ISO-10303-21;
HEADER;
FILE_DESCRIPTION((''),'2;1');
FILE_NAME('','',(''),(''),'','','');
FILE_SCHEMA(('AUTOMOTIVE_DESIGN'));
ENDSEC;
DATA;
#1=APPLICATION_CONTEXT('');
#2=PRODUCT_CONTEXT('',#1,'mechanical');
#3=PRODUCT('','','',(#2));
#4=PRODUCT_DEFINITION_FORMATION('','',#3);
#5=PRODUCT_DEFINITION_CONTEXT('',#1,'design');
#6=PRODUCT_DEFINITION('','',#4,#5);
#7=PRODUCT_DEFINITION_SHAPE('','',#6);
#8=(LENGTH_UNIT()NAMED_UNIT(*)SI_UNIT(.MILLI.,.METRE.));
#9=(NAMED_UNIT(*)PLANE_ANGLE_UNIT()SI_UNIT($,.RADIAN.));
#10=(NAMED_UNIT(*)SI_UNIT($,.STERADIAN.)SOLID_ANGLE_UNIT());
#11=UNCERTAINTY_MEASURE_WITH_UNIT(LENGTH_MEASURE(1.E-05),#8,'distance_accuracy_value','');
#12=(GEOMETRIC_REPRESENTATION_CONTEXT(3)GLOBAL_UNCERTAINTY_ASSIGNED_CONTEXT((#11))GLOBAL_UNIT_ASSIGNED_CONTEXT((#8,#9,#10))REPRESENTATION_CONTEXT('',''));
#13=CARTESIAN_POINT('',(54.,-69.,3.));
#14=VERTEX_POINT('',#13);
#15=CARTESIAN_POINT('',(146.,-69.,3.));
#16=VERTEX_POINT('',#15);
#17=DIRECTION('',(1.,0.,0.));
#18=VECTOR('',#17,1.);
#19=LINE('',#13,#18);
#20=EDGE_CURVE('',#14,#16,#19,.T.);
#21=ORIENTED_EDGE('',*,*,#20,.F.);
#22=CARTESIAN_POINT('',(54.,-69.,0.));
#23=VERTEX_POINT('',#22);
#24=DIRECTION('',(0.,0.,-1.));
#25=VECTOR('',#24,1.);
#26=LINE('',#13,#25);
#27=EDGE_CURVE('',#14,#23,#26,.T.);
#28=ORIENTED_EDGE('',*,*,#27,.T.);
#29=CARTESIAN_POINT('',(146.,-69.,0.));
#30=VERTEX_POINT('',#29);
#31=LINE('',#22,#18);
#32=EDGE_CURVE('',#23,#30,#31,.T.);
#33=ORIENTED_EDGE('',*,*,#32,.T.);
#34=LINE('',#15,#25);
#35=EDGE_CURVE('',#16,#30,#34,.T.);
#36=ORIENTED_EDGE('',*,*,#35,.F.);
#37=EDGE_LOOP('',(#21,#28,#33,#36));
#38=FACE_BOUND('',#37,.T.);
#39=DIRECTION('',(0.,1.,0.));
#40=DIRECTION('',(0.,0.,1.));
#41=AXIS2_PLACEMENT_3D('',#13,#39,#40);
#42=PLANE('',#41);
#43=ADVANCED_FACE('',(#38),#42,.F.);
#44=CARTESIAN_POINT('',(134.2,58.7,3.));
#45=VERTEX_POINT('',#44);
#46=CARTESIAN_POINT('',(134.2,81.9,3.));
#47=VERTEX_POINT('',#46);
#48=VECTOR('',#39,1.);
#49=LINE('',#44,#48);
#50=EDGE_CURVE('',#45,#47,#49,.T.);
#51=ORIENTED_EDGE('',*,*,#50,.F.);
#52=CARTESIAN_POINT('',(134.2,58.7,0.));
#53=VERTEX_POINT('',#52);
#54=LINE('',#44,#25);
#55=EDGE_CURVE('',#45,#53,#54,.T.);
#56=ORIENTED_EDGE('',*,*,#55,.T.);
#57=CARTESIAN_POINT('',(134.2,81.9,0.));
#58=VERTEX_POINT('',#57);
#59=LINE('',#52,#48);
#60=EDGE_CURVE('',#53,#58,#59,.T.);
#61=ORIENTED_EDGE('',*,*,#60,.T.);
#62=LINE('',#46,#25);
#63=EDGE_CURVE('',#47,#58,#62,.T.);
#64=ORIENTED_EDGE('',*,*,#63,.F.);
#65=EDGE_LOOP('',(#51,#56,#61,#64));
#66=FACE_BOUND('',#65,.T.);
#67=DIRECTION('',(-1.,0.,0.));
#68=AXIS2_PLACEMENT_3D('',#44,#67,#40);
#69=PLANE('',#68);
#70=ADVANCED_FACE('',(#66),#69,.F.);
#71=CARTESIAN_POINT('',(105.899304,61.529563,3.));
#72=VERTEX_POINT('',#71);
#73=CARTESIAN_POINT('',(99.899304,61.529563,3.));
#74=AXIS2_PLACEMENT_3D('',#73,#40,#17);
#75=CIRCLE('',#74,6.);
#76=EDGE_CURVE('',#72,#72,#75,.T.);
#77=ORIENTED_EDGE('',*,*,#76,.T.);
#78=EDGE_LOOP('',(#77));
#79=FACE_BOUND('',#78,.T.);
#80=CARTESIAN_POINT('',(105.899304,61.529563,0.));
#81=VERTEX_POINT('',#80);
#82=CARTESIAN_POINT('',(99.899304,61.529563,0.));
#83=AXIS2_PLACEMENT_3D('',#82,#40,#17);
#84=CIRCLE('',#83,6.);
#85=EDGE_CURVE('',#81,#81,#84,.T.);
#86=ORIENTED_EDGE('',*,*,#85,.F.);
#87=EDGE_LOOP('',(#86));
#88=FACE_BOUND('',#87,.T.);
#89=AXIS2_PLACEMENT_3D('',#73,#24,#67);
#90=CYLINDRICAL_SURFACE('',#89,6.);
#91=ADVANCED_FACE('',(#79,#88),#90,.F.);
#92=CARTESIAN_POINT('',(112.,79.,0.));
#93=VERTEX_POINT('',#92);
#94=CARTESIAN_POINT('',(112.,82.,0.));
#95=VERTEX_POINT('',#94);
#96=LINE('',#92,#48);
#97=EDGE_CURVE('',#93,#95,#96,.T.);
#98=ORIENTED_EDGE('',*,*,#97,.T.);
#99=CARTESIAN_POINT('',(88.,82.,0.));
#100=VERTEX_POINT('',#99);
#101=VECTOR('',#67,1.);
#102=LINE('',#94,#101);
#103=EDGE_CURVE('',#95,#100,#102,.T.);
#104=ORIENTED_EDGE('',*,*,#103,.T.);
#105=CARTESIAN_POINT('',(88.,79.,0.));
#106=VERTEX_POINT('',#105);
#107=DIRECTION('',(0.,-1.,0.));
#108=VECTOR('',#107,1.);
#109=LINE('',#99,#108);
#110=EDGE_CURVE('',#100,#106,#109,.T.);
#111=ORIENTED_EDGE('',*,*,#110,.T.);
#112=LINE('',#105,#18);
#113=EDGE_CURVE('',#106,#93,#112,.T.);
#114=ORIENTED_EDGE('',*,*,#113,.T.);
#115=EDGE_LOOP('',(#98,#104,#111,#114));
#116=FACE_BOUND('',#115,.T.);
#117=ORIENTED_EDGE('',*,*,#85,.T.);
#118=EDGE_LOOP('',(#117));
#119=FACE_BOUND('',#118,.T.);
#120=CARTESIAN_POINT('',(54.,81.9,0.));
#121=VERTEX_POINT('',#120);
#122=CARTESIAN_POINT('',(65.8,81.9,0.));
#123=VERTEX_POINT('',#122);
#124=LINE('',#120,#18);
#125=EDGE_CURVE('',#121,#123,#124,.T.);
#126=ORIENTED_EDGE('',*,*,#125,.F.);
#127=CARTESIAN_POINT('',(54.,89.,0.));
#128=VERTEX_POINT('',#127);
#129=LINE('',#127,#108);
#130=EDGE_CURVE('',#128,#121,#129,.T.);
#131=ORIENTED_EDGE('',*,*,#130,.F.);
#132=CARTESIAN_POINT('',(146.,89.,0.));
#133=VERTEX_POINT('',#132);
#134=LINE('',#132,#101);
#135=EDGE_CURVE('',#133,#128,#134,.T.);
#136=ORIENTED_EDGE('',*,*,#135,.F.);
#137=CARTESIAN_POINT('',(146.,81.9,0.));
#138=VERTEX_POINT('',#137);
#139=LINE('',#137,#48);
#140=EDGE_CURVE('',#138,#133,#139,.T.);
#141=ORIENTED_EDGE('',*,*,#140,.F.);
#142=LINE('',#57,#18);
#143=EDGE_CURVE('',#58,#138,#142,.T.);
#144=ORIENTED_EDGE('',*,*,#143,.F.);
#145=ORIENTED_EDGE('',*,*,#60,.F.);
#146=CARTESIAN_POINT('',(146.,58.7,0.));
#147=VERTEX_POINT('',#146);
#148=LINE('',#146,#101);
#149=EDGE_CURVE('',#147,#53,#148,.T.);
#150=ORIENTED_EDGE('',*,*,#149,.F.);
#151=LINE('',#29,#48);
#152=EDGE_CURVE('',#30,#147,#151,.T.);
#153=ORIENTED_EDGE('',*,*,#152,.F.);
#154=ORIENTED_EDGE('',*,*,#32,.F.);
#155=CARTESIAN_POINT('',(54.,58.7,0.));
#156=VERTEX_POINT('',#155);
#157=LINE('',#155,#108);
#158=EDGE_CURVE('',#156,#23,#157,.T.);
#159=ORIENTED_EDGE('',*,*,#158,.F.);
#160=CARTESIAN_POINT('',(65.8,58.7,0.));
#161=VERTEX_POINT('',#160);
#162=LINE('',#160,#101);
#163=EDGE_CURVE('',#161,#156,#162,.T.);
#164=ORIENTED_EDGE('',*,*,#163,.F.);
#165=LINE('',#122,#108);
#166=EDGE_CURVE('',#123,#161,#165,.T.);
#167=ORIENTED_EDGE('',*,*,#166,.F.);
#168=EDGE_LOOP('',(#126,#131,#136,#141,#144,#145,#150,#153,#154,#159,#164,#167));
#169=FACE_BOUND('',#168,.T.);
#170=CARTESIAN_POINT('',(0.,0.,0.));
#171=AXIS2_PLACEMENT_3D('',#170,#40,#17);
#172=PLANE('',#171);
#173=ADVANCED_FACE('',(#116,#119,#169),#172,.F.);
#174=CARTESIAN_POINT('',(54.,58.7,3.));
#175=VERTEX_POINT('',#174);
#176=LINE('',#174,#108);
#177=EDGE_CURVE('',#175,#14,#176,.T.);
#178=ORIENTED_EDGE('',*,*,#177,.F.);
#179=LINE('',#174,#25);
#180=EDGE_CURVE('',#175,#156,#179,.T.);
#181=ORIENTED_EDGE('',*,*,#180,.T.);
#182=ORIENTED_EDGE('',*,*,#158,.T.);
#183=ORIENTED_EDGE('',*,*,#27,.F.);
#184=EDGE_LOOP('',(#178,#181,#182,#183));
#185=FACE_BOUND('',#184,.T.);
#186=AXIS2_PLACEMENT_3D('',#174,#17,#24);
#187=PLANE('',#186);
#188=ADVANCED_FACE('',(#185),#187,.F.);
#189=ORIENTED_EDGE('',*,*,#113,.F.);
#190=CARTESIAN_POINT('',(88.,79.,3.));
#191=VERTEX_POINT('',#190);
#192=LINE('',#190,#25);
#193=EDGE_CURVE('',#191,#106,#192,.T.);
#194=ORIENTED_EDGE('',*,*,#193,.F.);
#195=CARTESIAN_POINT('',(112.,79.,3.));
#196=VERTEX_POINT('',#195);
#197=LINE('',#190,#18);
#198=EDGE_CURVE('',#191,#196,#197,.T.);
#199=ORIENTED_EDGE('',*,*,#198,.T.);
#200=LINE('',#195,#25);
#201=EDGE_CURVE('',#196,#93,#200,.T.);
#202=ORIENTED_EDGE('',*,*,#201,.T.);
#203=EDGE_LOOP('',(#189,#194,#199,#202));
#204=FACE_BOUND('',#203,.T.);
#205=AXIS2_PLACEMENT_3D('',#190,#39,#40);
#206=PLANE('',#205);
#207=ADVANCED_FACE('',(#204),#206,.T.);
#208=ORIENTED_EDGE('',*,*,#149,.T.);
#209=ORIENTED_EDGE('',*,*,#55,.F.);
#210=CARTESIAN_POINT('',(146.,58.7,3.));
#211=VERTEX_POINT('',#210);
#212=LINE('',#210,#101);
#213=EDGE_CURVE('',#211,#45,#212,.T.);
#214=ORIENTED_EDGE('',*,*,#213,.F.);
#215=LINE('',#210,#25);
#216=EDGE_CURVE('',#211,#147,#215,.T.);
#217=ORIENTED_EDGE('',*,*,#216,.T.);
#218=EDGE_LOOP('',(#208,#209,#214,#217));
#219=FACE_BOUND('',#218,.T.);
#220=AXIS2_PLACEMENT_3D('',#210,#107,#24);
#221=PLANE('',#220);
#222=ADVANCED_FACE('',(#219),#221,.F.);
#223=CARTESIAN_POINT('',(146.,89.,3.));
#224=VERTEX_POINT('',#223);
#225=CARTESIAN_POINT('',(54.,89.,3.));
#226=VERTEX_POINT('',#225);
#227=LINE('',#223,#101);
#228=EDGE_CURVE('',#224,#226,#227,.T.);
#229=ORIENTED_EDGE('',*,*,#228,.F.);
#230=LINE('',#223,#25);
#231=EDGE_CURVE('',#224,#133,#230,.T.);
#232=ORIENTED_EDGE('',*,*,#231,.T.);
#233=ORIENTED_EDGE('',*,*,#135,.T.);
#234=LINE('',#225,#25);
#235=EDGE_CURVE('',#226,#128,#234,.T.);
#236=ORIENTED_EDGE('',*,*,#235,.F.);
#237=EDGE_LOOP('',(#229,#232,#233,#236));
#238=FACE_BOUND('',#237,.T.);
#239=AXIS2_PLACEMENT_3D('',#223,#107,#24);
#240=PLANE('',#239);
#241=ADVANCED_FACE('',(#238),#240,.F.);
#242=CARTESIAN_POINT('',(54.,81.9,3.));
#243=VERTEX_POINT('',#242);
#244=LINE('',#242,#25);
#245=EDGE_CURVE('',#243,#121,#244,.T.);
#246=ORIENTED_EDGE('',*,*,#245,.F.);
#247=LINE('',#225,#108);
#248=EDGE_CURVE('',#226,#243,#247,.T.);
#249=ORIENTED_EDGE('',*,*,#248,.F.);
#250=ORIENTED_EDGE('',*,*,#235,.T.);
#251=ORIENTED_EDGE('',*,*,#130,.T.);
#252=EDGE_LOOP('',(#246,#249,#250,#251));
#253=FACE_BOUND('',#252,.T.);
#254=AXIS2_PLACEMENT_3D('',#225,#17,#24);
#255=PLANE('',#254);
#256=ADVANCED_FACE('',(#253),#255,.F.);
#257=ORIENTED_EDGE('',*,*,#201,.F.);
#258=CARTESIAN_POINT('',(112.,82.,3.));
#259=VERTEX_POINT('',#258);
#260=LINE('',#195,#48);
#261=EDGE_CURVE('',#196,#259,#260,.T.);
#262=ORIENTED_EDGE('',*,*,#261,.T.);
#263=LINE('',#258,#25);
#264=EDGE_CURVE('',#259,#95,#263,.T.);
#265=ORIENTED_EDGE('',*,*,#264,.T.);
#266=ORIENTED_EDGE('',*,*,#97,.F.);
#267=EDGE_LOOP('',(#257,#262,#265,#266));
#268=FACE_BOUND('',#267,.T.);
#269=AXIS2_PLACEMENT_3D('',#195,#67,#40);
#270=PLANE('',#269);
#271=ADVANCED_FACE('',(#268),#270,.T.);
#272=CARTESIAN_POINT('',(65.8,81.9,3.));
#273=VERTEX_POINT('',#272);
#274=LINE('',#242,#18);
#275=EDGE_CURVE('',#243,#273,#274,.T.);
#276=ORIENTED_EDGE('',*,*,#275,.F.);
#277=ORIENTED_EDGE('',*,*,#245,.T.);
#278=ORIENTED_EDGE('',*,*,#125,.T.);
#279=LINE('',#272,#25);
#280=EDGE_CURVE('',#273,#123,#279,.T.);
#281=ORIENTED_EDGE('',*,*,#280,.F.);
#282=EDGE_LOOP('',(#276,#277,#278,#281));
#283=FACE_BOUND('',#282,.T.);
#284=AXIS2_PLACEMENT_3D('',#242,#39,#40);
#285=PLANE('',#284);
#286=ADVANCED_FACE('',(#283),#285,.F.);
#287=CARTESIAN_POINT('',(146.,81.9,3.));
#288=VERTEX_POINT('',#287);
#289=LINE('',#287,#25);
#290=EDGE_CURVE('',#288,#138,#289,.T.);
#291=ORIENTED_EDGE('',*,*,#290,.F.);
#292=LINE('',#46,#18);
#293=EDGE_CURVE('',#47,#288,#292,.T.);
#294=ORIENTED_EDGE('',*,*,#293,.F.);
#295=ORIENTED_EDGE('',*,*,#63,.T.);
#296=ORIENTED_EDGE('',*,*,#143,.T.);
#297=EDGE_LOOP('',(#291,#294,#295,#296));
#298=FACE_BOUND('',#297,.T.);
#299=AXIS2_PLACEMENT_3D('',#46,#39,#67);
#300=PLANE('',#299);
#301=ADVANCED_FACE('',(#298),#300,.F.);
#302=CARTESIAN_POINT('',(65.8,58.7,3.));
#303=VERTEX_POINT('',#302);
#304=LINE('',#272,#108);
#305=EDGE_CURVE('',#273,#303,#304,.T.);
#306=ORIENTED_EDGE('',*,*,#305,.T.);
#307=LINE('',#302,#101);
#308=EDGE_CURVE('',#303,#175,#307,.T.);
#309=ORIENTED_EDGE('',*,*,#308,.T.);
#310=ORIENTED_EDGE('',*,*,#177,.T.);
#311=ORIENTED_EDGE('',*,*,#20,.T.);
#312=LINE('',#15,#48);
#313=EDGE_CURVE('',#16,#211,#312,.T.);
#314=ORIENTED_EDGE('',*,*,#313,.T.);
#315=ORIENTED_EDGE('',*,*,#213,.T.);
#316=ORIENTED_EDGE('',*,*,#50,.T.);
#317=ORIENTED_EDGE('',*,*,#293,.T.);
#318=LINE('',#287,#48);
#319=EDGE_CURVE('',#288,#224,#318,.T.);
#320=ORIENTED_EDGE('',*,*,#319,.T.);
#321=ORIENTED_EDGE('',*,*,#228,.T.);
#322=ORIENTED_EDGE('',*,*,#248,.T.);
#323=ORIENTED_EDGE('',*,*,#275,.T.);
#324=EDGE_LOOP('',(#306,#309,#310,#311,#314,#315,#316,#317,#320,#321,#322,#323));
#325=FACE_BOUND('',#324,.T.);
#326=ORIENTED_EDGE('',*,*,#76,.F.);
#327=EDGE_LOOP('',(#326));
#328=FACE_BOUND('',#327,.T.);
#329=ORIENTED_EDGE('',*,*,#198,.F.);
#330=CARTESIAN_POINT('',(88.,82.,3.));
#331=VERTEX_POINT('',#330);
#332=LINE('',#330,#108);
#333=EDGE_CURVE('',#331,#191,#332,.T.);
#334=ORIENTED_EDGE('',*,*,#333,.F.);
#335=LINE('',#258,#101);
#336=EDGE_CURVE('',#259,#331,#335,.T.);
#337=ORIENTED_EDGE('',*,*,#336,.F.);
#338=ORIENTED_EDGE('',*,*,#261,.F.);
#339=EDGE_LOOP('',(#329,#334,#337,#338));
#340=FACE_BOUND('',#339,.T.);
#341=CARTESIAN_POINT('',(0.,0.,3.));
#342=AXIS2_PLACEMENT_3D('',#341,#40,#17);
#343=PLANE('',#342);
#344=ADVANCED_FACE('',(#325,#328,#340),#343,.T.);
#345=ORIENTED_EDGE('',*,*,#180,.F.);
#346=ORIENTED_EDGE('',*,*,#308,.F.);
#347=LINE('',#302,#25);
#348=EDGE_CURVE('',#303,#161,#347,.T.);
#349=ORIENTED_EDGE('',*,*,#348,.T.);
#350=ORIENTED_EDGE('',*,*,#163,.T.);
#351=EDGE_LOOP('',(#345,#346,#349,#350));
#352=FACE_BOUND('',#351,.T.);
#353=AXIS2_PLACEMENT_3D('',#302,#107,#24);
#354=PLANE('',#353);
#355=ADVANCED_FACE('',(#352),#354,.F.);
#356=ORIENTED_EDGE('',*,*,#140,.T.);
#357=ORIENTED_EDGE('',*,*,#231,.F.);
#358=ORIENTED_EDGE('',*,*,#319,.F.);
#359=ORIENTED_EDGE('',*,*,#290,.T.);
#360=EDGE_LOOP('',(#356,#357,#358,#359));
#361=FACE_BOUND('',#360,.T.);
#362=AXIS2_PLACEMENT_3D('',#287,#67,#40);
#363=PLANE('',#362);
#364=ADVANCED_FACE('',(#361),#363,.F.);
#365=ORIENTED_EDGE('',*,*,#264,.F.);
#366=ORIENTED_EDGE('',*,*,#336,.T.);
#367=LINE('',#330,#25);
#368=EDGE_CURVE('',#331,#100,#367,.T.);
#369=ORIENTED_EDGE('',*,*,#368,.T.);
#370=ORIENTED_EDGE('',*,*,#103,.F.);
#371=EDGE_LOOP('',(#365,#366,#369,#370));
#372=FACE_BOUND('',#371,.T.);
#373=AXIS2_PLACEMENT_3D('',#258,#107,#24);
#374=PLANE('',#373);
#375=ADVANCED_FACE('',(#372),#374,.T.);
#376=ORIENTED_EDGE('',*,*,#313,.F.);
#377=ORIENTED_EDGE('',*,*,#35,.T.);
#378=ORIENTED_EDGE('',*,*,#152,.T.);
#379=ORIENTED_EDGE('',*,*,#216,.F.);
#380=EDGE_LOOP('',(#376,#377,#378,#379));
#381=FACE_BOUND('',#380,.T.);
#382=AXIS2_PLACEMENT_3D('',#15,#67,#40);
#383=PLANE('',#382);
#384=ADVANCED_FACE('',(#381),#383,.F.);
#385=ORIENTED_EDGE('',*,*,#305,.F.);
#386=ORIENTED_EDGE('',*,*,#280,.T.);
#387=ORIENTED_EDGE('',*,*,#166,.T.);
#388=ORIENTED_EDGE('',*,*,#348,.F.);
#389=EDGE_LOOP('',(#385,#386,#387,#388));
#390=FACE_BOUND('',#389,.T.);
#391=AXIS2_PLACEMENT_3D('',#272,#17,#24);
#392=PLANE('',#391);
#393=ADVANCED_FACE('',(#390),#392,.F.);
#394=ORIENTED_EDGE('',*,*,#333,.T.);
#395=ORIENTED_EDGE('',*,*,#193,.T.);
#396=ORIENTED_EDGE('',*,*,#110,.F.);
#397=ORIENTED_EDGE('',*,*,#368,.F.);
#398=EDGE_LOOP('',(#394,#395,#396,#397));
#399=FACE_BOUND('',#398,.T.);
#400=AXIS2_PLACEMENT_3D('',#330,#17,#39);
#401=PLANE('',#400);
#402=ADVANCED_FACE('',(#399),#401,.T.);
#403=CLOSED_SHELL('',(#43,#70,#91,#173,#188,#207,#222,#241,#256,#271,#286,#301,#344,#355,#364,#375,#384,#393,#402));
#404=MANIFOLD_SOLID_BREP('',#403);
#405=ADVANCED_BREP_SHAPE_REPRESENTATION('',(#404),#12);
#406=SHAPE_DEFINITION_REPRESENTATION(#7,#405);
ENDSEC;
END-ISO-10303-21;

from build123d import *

# Parameters (mm, degrees)
MODEL_R                 = 6
MODEL_W                 = 24
MODEL_H                 = 3
SALIENTE_EXTRUIR1_DEPTH = 3


with BuildPart() as part:
    # Model → Saliente-Extruir1 (new body)
    with BuildSketch(Plane.XY):
        Polygon((54, 89), (54, 81.9), (65.8, 81.9), (65.8, 58.7), (54, 58.7), (54, -69), (146, -69), (146, 58.7), (134.2, 58.7), (134.2, 81.9), (146, 81.9), (146, 89), align=None)
        with Locations((99.899304233, 61.529562992)):
            Circle(MODEL_R, mode=Mode.SUBTRACT)
        with Locations((100, 80.5)):
            Rectangle(MODEL_W, MODEL_H, mode=Mode.SUBTRACT)
    extrude(amount=SALIENTE_EXTRUIR1_DEPTH)


solid = part.part
